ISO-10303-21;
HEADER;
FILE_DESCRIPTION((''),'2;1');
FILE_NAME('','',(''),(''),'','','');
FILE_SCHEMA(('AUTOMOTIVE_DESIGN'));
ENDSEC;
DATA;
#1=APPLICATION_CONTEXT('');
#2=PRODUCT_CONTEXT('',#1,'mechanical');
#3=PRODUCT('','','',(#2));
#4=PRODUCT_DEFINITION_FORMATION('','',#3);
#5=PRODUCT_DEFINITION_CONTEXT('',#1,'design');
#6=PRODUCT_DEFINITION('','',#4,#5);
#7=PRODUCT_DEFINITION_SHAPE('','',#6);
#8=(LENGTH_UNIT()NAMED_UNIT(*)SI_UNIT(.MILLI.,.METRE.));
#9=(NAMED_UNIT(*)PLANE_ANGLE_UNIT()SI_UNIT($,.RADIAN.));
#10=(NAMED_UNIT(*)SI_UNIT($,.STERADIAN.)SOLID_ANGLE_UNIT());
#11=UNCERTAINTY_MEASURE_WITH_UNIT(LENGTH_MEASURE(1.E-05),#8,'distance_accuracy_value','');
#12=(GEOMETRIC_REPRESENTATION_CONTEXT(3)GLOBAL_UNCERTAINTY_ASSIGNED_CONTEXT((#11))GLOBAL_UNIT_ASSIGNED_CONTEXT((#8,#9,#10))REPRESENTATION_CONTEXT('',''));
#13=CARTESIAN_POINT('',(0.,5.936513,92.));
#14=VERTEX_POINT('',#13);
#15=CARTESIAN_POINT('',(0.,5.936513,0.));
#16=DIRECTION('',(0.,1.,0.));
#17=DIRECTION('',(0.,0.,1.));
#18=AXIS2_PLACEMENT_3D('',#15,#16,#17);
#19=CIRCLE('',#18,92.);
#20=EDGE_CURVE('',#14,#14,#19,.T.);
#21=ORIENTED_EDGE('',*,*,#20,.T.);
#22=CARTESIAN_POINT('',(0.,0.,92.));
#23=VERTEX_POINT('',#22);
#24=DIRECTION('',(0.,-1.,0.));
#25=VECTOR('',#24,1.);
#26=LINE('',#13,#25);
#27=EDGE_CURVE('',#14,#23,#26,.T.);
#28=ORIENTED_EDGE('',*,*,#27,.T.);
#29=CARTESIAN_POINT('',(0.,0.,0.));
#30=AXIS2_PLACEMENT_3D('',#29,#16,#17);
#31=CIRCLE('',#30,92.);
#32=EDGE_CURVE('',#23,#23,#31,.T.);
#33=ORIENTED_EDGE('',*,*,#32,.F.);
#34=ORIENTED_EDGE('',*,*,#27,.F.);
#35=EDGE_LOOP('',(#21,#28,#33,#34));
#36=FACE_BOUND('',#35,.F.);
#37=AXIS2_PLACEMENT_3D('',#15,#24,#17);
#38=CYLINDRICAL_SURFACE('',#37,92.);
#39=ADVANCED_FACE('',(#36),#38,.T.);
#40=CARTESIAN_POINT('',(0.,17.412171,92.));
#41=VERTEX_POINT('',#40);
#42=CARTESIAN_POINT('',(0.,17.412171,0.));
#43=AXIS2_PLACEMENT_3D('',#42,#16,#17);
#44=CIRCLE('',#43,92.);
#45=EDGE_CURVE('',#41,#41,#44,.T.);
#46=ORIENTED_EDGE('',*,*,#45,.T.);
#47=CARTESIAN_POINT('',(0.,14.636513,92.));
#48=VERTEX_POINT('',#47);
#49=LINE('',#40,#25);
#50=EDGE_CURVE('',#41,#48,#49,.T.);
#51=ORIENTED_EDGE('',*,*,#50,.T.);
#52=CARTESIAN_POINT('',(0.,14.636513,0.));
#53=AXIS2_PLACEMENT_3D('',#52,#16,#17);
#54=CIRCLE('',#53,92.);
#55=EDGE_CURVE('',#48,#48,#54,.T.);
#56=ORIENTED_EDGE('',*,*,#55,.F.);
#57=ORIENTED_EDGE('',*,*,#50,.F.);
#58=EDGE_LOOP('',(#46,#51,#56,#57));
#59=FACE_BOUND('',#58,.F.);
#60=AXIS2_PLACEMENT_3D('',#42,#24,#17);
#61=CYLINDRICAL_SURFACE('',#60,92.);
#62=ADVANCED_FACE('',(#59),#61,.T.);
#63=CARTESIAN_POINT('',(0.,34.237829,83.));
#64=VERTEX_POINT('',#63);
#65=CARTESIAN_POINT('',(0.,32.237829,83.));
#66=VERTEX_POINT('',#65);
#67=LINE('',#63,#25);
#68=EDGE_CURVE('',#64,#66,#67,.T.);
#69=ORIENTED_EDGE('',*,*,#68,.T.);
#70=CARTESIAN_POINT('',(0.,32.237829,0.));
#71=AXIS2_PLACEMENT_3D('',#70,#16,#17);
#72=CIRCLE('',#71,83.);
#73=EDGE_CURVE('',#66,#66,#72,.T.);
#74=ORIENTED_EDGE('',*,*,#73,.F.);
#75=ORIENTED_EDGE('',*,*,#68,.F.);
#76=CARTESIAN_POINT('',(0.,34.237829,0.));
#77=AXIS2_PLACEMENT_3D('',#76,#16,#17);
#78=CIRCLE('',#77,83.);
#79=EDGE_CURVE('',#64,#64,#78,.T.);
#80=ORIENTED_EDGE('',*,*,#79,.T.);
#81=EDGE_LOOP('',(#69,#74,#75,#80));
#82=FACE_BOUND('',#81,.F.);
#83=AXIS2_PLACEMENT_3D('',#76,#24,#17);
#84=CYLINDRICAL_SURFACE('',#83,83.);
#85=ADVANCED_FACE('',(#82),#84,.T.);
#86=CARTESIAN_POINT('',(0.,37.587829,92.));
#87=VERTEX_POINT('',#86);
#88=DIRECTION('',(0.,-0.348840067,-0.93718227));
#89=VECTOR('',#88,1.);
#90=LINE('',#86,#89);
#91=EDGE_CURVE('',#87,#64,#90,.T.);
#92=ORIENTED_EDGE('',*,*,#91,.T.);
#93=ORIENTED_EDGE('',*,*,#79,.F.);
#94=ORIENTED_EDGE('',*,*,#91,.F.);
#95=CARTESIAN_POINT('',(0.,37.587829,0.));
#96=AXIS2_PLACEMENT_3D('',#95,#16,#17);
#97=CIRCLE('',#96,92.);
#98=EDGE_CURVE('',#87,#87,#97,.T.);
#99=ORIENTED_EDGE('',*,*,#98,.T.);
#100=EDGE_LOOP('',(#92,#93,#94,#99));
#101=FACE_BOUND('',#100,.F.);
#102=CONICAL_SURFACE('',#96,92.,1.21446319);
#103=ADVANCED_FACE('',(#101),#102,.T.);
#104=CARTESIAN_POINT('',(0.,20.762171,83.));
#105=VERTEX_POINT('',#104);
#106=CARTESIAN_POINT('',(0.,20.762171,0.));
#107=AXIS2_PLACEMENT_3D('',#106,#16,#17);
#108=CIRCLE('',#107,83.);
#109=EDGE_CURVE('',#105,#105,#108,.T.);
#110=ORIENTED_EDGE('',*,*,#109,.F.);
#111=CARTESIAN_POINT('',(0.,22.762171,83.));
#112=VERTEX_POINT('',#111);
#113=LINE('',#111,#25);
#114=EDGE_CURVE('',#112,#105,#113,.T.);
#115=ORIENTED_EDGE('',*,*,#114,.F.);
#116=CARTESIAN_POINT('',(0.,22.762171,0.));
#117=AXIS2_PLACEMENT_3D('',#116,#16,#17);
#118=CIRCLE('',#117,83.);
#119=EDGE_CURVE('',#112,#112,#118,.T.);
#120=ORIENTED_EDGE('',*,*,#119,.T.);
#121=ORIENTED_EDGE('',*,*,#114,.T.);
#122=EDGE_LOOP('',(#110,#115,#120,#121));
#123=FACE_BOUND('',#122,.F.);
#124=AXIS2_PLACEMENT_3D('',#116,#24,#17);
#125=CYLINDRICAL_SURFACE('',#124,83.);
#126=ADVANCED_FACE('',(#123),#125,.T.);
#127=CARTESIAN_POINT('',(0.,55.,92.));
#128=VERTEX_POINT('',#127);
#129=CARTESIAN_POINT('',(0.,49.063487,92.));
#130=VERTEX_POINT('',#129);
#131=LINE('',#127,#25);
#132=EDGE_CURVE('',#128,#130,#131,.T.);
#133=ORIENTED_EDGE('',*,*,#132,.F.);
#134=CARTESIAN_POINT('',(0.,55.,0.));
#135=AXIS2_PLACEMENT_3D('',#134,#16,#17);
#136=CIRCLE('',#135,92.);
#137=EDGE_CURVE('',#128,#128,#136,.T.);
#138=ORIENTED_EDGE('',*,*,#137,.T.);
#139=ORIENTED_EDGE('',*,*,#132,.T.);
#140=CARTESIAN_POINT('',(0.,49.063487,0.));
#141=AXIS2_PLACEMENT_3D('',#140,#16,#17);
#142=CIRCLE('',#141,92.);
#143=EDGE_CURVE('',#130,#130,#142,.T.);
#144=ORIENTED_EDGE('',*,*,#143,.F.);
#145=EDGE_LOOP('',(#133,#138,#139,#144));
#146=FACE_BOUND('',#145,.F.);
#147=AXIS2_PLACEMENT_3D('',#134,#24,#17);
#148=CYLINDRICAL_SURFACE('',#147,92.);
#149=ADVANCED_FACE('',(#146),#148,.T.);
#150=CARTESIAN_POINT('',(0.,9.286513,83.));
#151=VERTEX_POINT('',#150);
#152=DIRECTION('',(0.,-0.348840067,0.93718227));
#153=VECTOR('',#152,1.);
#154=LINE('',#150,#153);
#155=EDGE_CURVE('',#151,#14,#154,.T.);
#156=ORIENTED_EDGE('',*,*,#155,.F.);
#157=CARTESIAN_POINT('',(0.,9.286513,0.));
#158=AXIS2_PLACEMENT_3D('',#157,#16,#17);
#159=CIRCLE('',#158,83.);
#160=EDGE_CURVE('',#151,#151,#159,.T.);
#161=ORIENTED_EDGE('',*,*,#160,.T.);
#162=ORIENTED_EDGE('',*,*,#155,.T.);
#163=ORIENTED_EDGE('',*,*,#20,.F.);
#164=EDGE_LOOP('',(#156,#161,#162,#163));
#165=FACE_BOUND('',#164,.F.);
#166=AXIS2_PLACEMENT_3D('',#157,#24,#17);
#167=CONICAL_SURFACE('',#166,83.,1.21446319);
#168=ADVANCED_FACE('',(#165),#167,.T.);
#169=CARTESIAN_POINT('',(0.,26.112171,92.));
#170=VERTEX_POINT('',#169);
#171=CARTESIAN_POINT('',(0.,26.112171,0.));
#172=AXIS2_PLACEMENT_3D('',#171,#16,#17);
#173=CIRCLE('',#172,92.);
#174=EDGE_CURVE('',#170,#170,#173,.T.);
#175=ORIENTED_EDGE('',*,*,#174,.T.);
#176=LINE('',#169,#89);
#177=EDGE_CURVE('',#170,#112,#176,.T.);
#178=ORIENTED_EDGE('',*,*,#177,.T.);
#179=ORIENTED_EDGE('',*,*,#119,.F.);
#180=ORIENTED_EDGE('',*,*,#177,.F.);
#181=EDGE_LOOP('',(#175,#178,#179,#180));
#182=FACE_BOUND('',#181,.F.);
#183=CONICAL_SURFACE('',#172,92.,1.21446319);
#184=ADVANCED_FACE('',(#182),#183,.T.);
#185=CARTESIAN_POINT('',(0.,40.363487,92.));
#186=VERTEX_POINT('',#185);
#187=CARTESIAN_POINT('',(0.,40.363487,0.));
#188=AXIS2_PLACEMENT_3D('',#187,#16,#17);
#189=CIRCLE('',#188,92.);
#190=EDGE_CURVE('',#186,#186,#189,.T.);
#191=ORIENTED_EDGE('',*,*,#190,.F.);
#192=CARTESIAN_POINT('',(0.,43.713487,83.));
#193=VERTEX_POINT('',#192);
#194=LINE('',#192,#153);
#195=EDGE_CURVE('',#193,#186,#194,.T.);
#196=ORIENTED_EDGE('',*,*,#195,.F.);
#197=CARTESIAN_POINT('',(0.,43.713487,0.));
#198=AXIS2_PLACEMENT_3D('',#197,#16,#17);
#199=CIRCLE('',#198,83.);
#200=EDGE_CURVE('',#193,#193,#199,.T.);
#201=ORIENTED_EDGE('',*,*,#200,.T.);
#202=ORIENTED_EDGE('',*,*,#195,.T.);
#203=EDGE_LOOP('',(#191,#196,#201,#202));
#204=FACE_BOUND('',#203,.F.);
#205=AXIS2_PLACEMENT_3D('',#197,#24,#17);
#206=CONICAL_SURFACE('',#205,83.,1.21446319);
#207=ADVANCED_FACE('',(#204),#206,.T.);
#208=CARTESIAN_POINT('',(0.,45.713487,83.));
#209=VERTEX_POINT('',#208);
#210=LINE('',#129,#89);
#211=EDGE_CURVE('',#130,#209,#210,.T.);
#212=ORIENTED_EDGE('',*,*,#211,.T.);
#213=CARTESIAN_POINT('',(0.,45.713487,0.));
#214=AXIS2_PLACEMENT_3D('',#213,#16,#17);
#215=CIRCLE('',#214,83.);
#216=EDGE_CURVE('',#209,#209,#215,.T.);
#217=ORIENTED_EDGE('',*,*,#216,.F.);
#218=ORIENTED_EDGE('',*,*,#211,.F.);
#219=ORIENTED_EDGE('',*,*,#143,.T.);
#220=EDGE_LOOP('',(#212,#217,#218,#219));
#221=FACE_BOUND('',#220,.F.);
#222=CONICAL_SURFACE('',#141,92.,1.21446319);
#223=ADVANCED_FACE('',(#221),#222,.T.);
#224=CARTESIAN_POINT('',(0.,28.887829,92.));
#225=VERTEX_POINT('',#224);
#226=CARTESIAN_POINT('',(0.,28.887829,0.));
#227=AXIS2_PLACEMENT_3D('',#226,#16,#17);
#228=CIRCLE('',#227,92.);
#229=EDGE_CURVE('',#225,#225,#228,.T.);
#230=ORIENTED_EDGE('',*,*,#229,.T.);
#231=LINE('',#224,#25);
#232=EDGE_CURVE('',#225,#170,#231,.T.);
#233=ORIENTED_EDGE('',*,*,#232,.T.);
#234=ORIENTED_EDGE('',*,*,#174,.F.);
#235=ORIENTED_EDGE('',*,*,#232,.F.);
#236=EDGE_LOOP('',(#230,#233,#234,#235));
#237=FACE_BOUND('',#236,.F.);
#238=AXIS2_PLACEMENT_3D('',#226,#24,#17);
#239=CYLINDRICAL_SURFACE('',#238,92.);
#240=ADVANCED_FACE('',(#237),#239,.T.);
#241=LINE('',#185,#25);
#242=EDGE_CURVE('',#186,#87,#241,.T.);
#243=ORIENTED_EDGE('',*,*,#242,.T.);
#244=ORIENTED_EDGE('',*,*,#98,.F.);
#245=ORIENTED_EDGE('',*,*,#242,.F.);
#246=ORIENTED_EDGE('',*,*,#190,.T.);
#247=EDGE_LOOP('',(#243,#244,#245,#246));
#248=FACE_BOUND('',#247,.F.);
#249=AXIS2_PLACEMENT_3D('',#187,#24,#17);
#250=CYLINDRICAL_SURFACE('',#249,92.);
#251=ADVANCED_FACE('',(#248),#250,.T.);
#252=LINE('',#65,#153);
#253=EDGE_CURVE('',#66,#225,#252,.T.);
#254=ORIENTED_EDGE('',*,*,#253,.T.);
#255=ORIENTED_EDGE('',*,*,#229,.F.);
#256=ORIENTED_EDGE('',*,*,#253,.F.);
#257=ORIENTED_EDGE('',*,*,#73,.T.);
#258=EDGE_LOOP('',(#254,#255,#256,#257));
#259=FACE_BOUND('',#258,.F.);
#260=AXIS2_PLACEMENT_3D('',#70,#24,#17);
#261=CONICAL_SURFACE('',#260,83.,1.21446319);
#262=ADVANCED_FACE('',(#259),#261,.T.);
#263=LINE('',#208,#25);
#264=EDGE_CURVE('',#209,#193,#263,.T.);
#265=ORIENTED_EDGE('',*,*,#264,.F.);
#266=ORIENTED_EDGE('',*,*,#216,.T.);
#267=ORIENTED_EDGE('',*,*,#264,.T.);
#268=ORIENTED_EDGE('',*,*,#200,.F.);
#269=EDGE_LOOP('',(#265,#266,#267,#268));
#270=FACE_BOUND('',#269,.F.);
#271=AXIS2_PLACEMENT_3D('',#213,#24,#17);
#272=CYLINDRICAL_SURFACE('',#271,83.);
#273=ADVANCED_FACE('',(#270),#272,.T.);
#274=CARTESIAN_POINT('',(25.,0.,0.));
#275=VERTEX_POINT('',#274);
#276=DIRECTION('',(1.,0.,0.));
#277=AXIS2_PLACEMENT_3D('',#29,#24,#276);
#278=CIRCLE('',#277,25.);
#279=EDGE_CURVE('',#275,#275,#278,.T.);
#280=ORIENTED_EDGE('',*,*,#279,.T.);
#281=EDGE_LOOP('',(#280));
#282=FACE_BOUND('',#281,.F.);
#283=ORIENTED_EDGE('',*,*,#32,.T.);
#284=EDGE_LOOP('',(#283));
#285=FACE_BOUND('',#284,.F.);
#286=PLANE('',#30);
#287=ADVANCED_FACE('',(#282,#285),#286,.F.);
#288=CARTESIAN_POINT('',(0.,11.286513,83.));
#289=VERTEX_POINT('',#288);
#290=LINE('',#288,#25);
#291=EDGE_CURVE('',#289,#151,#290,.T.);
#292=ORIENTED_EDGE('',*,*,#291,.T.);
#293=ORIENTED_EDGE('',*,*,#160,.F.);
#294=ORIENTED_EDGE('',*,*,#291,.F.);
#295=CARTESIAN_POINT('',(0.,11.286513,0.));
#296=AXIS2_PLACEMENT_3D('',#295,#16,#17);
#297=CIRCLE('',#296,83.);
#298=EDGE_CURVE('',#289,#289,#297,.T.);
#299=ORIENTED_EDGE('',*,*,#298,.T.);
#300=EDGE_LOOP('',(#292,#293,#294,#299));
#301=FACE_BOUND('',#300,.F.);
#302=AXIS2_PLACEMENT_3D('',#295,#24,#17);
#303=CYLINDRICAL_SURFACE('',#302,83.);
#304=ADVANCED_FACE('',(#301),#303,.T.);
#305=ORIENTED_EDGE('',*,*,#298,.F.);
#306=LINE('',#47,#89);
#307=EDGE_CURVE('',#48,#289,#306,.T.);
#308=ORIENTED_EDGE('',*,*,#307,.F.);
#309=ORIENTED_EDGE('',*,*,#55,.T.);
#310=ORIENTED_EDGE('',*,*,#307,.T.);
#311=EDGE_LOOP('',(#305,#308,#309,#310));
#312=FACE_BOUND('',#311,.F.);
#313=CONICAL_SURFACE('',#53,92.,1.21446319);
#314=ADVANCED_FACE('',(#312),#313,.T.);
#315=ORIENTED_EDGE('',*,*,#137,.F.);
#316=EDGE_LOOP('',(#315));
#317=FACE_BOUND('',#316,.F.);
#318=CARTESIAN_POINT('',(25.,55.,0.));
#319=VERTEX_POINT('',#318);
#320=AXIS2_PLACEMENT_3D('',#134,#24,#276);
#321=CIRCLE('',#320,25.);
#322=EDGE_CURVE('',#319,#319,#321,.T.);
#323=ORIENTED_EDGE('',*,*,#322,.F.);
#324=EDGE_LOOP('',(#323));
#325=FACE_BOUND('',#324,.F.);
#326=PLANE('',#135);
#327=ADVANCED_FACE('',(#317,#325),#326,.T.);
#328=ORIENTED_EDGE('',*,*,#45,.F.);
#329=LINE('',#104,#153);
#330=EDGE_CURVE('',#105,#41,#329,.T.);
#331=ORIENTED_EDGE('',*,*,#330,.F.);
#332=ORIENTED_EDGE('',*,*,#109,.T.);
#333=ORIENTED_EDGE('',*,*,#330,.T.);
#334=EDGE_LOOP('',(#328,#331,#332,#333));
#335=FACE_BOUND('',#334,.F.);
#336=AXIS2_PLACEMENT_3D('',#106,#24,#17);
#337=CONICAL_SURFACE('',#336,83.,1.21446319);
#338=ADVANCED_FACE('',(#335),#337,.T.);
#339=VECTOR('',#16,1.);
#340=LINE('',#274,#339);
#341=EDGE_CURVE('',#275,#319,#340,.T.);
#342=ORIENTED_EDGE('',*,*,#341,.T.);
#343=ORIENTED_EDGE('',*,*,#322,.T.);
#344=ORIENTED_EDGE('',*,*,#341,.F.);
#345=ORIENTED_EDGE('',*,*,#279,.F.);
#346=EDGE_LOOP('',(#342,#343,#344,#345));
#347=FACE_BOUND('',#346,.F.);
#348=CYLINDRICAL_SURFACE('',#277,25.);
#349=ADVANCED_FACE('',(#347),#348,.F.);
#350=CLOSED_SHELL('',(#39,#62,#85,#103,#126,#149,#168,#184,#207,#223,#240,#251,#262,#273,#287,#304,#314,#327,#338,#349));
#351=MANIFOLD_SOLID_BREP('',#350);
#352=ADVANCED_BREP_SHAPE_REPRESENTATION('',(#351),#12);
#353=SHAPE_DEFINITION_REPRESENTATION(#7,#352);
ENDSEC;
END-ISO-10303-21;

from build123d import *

# Parameters (mm, degrees)
F2_R     = 25
F3_DEPTH = 55.001


with BuildPart() as f1:
    # F0 (on Right) → F1 (revolve)
    with BuildSketch(Plane.YZ):
        Polygon((0, 92), (0, 0), (55, 0), (55, 92), (49.063487, 92), (45.713487, 83), (43.713487, 83), (40.363487, 92), (37.587829, 92), (34.237829, 83), (32.237829, 83), (28.887829, 92), (26.112171, 92), (22.762171, 83), (20.762171, 83), (17.412171, 92), (14.636513, 92), (11.286513, 83), (9.286513, 83), (5.936513, 92), align=None)
    revolve(axis=Axis((0, 27.5, 0), (0, 1, 0)))

    # F2 (on face) → F3 (cut, through all)
    with BuildSketch(Plane.XZ):
        Circle(F2_R)
    extrude(amount=-F3_DEPTH, mode=Mode.SUBTRACT)


solid = f1.part
